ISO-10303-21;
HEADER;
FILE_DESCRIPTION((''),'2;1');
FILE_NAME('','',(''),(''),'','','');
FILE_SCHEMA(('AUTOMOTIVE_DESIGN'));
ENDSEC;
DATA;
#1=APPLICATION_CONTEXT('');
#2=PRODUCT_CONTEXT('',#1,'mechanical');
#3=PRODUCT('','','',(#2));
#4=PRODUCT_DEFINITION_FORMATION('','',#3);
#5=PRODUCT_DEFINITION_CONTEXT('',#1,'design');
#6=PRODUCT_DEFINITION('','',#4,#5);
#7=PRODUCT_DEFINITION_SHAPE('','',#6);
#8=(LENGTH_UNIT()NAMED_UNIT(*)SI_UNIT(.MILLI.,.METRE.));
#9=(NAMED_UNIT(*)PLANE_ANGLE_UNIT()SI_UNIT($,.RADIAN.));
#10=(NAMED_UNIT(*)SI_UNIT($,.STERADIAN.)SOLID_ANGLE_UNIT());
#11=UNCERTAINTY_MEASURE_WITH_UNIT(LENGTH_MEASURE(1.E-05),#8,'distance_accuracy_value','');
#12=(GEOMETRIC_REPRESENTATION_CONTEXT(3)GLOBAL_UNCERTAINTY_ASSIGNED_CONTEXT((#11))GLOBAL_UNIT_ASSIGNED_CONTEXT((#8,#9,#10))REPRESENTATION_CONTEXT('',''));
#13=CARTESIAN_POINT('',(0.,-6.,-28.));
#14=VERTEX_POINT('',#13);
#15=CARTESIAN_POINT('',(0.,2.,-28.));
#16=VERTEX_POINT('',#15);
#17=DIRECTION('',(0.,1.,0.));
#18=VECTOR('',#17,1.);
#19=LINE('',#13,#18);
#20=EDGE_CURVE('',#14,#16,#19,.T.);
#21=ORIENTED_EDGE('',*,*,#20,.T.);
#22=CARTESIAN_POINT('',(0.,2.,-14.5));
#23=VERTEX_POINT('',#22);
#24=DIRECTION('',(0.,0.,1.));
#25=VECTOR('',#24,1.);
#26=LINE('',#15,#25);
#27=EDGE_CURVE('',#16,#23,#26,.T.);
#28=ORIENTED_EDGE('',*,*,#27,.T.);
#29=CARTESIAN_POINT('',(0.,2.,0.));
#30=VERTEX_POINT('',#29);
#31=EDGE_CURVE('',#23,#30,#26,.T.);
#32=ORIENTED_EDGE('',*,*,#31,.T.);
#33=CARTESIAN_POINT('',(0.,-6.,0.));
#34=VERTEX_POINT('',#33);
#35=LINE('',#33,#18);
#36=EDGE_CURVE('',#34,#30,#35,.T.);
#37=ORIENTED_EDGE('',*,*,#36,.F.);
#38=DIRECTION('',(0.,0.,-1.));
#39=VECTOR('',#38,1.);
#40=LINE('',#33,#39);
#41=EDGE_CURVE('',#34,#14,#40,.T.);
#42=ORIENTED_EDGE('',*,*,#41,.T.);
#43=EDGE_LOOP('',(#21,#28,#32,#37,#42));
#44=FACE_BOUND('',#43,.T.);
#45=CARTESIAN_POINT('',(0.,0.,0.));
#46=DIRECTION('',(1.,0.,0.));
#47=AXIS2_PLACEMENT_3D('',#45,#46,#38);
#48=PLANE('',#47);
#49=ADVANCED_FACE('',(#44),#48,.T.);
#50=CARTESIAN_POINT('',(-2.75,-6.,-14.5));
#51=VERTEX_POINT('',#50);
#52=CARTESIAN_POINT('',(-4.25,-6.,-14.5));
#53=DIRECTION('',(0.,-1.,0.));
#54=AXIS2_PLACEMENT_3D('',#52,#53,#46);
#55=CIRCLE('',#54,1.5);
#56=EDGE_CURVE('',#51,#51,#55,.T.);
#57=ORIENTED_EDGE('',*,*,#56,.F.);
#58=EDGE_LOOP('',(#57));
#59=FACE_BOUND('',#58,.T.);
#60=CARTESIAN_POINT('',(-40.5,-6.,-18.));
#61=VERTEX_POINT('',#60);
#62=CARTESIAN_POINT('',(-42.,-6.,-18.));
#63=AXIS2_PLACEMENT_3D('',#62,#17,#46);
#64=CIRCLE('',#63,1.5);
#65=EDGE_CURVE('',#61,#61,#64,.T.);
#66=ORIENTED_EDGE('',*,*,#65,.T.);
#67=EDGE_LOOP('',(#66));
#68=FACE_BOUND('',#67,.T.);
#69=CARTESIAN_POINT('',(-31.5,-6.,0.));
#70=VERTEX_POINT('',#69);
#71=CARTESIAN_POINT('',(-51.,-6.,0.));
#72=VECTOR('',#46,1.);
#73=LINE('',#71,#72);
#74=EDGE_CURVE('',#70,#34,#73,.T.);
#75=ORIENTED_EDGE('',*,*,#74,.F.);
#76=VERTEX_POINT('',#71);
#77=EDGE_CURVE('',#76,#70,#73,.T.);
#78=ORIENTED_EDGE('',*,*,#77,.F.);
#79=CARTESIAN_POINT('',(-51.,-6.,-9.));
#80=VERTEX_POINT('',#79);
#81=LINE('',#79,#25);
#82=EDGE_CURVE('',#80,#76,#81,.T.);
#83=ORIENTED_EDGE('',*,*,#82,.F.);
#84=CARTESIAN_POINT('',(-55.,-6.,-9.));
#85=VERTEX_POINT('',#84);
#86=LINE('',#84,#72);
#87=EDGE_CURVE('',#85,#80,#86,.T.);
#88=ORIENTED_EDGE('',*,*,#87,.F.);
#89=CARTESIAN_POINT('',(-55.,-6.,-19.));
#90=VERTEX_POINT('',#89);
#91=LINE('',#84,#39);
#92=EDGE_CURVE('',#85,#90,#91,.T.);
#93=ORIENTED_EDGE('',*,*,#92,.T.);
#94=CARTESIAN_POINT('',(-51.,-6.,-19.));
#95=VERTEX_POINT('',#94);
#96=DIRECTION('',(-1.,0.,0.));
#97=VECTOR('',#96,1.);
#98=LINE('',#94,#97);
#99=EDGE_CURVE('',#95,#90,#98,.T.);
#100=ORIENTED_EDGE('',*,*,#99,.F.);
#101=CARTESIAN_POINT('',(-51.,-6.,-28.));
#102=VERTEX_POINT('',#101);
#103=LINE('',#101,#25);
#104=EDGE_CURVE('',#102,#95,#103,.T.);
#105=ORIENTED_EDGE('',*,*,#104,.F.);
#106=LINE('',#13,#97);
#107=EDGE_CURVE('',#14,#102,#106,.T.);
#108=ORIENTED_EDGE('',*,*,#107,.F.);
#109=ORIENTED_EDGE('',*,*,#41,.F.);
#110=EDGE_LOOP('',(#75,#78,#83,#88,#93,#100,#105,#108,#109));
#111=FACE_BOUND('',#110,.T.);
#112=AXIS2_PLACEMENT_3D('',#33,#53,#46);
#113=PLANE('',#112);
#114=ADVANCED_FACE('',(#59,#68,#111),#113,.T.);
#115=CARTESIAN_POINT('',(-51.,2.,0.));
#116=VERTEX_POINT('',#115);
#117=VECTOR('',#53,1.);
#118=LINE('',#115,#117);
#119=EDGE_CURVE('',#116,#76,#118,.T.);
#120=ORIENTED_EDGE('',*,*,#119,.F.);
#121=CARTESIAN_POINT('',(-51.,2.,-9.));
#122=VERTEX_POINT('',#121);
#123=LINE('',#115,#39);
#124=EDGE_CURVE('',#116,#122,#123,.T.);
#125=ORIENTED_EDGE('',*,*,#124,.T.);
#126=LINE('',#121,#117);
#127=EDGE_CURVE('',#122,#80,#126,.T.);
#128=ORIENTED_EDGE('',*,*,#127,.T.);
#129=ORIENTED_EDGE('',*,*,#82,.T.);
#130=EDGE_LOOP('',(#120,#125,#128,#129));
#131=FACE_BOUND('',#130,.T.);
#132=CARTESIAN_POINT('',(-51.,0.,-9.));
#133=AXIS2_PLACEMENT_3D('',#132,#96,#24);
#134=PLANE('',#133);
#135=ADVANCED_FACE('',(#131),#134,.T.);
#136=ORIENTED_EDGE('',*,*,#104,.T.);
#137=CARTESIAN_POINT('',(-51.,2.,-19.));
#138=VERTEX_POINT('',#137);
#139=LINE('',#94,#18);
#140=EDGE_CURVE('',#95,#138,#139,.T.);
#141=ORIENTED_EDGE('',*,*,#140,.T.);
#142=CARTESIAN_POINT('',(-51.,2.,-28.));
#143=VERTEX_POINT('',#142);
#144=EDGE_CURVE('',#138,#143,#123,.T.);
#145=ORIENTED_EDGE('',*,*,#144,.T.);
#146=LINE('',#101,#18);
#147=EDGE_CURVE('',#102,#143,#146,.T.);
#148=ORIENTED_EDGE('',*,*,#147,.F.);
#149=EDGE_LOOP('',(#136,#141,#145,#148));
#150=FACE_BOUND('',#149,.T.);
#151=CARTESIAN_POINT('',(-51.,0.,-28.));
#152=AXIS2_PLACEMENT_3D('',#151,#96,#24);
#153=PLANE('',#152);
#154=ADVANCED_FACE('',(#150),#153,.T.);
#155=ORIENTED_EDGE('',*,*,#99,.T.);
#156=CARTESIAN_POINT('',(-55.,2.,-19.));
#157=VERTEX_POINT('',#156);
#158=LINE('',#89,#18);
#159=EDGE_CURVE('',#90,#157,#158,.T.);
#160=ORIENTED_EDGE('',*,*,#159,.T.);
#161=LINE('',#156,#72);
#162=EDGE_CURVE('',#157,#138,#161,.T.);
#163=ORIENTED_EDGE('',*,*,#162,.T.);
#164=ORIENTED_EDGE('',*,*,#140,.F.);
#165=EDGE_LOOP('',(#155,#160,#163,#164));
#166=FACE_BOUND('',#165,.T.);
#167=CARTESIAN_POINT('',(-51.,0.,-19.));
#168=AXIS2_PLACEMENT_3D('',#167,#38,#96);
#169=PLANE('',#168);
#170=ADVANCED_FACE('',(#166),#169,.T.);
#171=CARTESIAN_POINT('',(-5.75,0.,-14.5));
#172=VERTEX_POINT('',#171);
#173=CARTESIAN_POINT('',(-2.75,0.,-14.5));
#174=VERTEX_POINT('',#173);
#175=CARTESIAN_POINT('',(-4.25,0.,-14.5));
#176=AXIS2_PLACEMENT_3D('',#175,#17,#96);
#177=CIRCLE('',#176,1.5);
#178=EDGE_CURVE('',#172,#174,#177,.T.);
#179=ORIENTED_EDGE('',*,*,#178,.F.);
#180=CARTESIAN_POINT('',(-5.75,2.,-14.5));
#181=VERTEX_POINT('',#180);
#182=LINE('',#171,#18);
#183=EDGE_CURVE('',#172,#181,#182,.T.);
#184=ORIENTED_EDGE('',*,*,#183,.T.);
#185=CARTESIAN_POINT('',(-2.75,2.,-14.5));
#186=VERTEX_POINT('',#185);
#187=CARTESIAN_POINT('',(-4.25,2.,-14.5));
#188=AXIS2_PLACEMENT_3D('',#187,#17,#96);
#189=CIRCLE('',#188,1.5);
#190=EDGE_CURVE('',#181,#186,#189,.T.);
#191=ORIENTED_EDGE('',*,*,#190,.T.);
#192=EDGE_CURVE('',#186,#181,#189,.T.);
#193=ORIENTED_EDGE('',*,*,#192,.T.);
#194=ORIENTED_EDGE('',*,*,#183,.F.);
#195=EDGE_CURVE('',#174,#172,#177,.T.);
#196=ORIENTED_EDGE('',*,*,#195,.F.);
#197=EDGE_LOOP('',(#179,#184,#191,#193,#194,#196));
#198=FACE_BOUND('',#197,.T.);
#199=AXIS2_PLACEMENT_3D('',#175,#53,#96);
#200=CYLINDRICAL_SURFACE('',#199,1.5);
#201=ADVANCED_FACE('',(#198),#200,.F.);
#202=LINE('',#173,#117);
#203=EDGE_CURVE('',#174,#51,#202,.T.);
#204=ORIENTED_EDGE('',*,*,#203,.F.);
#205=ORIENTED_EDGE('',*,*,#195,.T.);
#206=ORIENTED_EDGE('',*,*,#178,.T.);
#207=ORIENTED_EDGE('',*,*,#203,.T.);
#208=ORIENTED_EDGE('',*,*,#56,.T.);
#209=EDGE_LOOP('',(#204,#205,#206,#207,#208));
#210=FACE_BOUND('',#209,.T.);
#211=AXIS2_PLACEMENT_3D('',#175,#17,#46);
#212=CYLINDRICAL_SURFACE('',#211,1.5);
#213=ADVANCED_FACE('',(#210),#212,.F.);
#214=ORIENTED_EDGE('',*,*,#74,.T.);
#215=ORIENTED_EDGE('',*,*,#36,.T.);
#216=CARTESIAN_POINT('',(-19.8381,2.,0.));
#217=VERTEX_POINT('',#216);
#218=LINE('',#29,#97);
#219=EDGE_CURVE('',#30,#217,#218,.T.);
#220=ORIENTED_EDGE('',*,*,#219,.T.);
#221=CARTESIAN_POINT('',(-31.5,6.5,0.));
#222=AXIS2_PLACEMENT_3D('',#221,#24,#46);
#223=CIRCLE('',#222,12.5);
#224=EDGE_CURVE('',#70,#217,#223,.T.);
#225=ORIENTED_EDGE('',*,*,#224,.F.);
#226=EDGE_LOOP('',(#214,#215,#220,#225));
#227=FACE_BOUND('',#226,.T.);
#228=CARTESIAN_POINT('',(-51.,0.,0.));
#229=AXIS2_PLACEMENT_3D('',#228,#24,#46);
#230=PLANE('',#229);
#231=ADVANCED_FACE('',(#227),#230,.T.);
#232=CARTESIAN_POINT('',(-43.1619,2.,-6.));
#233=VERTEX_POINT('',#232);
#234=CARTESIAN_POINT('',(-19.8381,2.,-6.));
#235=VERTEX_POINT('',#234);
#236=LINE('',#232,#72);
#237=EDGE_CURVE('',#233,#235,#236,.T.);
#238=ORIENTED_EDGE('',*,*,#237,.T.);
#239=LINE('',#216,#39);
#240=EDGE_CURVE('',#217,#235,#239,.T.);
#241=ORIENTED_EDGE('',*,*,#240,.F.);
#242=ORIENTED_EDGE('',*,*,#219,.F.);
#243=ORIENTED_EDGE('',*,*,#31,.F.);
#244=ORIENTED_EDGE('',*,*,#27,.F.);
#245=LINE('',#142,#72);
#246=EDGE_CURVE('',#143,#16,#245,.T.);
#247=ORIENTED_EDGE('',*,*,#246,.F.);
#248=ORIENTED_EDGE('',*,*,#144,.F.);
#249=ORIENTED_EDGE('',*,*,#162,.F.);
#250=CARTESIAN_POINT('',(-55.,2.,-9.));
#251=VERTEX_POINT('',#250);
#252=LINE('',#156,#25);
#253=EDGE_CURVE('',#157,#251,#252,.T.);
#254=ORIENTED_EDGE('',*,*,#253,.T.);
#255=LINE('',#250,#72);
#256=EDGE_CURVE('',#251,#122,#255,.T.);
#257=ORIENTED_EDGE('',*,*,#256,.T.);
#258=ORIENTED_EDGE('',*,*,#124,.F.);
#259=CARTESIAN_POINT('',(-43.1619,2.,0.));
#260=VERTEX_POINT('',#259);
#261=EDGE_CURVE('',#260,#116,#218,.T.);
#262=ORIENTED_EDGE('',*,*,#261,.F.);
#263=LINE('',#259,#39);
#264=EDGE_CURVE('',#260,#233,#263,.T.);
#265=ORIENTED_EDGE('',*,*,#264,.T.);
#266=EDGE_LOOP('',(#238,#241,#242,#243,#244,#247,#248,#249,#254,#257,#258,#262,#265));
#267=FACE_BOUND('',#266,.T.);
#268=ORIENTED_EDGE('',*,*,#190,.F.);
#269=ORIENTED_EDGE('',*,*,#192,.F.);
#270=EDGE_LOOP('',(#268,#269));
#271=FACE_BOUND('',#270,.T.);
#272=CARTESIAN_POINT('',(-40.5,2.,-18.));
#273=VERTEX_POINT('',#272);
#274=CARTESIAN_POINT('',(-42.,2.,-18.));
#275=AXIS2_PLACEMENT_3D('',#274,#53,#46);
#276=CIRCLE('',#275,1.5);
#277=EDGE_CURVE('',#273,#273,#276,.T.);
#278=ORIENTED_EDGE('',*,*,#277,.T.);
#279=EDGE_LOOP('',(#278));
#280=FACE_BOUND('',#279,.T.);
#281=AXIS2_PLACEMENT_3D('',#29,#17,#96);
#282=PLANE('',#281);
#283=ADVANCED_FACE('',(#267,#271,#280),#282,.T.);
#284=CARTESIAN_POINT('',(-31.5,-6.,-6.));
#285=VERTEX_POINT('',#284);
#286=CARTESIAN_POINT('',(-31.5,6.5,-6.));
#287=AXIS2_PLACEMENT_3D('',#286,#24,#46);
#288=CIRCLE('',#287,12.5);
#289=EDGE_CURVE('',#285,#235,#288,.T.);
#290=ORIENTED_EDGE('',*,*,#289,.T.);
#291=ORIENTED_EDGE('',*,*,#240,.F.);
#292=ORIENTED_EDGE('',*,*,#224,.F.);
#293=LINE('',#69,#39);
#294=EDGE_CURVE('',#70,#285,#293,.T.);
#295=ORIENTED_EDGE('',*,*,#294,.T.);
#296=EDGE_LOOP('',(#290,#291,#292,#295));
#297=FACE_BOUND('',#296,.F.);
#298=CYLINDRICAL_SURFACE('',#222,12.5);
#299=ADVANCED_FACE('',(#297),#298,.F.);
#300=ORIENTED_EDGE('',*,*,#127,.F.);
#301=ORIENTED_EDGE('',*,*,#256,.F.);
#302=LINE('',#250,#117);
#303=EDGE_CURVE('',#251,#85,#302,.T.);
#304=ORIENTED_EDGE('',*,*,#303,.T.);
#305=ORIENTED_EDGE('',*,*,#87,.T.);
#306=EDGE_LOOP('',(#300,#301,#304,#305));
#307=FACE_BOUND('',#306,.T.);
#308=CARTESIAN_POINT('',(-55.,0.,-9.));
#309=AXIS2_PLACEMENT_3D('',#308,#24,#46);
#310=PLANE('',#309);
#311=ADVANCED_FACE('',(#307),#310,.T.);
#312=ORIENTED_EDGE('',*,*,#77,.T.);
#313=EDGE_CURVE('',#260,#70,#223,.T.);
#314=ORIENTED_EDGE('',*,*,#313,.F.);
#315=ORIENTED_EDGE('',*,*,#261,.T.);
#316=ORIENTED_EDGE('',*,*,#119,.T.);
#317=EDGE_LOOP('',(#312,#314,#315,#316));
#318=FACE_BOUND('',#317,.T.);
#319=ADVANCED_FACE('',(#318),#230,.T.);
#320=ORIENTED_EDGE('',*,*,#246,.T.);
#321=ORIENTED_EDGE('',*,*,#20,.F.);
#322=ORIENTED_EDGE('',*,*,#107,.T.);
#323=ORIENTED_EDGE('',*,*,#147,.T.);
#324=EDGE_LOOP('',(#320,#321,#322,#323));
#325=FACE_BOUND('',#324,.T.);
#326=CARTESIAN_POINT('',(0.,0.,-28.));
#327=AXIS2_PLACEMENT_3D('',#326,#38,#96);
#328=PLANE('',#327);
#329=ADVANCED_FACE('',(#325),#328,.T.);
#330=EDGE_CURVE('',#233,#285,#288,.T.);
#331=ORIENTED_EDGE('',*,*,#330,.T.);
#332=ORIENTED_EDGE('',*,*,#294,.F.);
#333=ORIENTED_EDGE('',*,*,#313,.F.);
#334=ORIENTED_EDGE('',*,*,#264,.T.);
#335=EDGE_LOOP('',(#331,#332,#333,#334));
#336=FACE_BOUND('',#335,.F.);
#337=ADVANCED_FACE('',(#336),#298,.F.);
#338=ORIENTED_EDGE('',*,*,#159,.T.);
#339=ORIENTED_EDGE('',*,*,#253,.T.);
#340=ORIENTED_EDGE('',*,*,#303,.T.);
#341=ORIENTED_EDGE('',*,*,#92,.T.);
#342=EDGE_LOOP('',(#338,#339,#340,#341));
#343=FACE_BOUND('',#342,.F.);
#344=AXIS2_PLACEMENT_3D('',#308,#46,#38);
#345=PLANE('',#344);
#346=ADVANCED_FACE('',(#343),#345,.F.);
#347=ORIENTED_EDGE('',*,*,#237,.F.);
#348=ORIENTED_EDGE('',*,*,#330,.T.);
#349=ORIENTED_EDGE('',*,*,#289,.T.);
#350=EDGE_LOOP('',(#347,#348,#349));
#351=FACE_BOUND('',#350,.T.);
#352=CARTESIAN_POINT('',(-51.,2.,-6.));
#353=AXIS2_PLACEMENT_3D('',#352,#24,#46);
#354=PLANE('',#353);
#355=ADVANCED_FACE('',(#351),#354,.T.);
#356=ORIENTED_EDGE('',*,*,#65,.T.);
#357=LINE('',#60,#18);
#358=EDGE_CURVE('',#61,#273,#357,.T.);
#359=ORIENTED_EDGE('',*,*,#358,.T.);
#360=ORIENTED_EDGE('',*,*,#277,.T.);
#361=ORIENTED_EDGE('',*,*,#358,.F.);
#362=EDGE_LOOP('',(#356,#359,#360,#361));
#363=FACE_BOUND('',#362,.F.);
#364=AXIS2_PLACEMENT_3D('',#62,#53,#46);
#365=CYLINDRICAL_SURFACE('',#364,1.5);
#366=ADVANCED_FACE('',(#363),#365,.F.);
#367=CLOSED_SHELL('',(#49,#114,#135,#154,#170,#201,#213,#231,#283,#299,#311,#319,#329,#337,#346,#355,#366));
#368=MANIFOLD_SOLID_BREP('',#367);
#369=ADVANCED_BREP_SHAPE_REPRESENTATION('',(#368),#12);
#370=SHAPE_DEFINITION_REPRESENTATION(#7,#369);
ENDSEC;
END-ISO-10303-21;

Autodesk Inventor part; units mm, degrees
ref_plane "YZ Plane" through (0, 0, 0) normal (1, 0, 0) x (0, 1, 0)
ref_plane "XZ Plane" through (0, 0, 0) normal (0, 1, 0) x (-1, 0, 0)
ref_plane "XY Plane" through (0, 0, 0) normal (0, 0, 1) x (1, 0, 0)
sketch "Boceto1" plane through (0, 0, 0) normal (0, 1, 0) x (-1, 0, 0)
  line L0 (0, 0) -> (51, 0)
  line L1 (51, 0) -> (51, -28)
  line L2 (51, -28) -> (0, -28)
  line L3 (0, -28) -> (0, 0)
  line L4 (51, 0) -> (51, -18.5)
  line L5 (51, -18.5) -> (42, -18.5)
  circle A0 centre (42, -18.5) radius 1.5
  line L6 (0, 0) -> (0, -14.5)
  line L7 (0, -14.5) -> (4.25, -14.5)
  circle A1 centre (4.25, -14.5) radius 1.5
  line L8 (51, 0) -> (51, -14)
  line L9 (51, -14) -> (55, -14)
  line L10 (55, -14) -> (55, -9)
  line L11 (55, -9) -> (51, -9)
  line L12 (55, -14) -> (55, -19)
  line L13 (55, -19) -> (51, -19)
  dimension "d0" = 51
  dimension "d1" = 28
  dimension "d2" = 18.5
  dimension "d3" = 9
  dimension "d4" = 3
  dimension "d5" = 14.5
  dimension "d6" = 4.25
  dimension "d7" = 3
  dimension "d8" = 14
  dimension "d9" = 4
  dimension "d10" = 5
  dimension "d11" = 5
extrude "Extrusión1" add sketch "Boceto1" along normal blind 2
sketch "Boceto2" plane through (0, 0, 0) normal (0, -1, 0) x (1, 0, 0)
  circle A0 centre (-42, -18.5) radius 1.5 projected
  circle A1 centre (-42, -18.5) radius 1.5
  point P0 (0, 0)
extrude "Extrusión2" add sketch "Boceto2" against normal blind 2
sketch "Boceto3" plane through (0, 0, 0) normal (0, -1, 0) x (1, 0, 0)
  circle A0 centre (-4.25, -14.5) radius 1.5 projected
  circle A1 centre (-4.25, -14.5) radius 1.5
  line L0 (-51, 0) -> (0, 0) projected
  line L1 (0, 0) -> (-51, 0)
  line L2 (-51, -9) -> (-51, 0) projected
  line L3 (-51, 0) -> (-51, -9)
  line L4 (-55, -9) -> (-51, -9) projected
  line L5 (-51, -9) -> (-55, -9)
  line L6 (-51, -19) -> (-55, -19) projected
  line L7 (-55, -9) -> (-55, -19)
  line L8 (-55, -19) -> (-51, -19)
  line L9 (-51, -28) -> (-51, -19) projected
  line L10 (-51, -19) -> (-51, -28)
  line L11 (0, -28) -> (-51, -28) projected
  line L12 (-51, -28) -> (0, -28)
  line L13 (0, 0) -> (0, -28) projected
  line L14 (0, -28) -> (0, 0)
extrude "Extrusión3" add sketch "Boceto3" along normal blind 6
sketch "Boceto4" plane through (0, -6, 0) normal (0, -1, 0) x (1, 0, 0)
  line L0 (-51, 0) -> (-51, -9) projected
  line L1 (-51, -9) -> (-51, -18)
  line L2 (-51, -18) -> (-42, -18)
  circle A0 centre (-42, -18) radius 1.5
  point P0 (0, 0)
  dimension "d18" = 9
  dimension "d19" = 9
  dimension "d20" = 3
extrude "Extrusión4" cut sketch "Boceto4" against normal blind 8
sketch "Boceto5" plane through (-51, 2, 0) normal (0, 0, 1) x (1, 0, 0)
  line L0 (51, -8) -> (51, 17)
  line L1 (-4, 4.5) -> (19.5, 4.5)
  circle A0 centre (19.5, 4.5) radius 12.5
  line L2 (0, -8) -> (51, -8) projected
  line L3 (51, 0) -> (0, 0) projected
  line L4 (7.8381, 0) -> (31.1619, 0)
  point P0 (51, -2)
  dimension "d23" = 25
  dimension "d24" = 23.5
extrude "Extrusión5" cut sketch "Boceto5" against normal blind 6 contours A0 L3 picked at (19.5, -2.6667)
properties part number "arm_2_microservo_case"
